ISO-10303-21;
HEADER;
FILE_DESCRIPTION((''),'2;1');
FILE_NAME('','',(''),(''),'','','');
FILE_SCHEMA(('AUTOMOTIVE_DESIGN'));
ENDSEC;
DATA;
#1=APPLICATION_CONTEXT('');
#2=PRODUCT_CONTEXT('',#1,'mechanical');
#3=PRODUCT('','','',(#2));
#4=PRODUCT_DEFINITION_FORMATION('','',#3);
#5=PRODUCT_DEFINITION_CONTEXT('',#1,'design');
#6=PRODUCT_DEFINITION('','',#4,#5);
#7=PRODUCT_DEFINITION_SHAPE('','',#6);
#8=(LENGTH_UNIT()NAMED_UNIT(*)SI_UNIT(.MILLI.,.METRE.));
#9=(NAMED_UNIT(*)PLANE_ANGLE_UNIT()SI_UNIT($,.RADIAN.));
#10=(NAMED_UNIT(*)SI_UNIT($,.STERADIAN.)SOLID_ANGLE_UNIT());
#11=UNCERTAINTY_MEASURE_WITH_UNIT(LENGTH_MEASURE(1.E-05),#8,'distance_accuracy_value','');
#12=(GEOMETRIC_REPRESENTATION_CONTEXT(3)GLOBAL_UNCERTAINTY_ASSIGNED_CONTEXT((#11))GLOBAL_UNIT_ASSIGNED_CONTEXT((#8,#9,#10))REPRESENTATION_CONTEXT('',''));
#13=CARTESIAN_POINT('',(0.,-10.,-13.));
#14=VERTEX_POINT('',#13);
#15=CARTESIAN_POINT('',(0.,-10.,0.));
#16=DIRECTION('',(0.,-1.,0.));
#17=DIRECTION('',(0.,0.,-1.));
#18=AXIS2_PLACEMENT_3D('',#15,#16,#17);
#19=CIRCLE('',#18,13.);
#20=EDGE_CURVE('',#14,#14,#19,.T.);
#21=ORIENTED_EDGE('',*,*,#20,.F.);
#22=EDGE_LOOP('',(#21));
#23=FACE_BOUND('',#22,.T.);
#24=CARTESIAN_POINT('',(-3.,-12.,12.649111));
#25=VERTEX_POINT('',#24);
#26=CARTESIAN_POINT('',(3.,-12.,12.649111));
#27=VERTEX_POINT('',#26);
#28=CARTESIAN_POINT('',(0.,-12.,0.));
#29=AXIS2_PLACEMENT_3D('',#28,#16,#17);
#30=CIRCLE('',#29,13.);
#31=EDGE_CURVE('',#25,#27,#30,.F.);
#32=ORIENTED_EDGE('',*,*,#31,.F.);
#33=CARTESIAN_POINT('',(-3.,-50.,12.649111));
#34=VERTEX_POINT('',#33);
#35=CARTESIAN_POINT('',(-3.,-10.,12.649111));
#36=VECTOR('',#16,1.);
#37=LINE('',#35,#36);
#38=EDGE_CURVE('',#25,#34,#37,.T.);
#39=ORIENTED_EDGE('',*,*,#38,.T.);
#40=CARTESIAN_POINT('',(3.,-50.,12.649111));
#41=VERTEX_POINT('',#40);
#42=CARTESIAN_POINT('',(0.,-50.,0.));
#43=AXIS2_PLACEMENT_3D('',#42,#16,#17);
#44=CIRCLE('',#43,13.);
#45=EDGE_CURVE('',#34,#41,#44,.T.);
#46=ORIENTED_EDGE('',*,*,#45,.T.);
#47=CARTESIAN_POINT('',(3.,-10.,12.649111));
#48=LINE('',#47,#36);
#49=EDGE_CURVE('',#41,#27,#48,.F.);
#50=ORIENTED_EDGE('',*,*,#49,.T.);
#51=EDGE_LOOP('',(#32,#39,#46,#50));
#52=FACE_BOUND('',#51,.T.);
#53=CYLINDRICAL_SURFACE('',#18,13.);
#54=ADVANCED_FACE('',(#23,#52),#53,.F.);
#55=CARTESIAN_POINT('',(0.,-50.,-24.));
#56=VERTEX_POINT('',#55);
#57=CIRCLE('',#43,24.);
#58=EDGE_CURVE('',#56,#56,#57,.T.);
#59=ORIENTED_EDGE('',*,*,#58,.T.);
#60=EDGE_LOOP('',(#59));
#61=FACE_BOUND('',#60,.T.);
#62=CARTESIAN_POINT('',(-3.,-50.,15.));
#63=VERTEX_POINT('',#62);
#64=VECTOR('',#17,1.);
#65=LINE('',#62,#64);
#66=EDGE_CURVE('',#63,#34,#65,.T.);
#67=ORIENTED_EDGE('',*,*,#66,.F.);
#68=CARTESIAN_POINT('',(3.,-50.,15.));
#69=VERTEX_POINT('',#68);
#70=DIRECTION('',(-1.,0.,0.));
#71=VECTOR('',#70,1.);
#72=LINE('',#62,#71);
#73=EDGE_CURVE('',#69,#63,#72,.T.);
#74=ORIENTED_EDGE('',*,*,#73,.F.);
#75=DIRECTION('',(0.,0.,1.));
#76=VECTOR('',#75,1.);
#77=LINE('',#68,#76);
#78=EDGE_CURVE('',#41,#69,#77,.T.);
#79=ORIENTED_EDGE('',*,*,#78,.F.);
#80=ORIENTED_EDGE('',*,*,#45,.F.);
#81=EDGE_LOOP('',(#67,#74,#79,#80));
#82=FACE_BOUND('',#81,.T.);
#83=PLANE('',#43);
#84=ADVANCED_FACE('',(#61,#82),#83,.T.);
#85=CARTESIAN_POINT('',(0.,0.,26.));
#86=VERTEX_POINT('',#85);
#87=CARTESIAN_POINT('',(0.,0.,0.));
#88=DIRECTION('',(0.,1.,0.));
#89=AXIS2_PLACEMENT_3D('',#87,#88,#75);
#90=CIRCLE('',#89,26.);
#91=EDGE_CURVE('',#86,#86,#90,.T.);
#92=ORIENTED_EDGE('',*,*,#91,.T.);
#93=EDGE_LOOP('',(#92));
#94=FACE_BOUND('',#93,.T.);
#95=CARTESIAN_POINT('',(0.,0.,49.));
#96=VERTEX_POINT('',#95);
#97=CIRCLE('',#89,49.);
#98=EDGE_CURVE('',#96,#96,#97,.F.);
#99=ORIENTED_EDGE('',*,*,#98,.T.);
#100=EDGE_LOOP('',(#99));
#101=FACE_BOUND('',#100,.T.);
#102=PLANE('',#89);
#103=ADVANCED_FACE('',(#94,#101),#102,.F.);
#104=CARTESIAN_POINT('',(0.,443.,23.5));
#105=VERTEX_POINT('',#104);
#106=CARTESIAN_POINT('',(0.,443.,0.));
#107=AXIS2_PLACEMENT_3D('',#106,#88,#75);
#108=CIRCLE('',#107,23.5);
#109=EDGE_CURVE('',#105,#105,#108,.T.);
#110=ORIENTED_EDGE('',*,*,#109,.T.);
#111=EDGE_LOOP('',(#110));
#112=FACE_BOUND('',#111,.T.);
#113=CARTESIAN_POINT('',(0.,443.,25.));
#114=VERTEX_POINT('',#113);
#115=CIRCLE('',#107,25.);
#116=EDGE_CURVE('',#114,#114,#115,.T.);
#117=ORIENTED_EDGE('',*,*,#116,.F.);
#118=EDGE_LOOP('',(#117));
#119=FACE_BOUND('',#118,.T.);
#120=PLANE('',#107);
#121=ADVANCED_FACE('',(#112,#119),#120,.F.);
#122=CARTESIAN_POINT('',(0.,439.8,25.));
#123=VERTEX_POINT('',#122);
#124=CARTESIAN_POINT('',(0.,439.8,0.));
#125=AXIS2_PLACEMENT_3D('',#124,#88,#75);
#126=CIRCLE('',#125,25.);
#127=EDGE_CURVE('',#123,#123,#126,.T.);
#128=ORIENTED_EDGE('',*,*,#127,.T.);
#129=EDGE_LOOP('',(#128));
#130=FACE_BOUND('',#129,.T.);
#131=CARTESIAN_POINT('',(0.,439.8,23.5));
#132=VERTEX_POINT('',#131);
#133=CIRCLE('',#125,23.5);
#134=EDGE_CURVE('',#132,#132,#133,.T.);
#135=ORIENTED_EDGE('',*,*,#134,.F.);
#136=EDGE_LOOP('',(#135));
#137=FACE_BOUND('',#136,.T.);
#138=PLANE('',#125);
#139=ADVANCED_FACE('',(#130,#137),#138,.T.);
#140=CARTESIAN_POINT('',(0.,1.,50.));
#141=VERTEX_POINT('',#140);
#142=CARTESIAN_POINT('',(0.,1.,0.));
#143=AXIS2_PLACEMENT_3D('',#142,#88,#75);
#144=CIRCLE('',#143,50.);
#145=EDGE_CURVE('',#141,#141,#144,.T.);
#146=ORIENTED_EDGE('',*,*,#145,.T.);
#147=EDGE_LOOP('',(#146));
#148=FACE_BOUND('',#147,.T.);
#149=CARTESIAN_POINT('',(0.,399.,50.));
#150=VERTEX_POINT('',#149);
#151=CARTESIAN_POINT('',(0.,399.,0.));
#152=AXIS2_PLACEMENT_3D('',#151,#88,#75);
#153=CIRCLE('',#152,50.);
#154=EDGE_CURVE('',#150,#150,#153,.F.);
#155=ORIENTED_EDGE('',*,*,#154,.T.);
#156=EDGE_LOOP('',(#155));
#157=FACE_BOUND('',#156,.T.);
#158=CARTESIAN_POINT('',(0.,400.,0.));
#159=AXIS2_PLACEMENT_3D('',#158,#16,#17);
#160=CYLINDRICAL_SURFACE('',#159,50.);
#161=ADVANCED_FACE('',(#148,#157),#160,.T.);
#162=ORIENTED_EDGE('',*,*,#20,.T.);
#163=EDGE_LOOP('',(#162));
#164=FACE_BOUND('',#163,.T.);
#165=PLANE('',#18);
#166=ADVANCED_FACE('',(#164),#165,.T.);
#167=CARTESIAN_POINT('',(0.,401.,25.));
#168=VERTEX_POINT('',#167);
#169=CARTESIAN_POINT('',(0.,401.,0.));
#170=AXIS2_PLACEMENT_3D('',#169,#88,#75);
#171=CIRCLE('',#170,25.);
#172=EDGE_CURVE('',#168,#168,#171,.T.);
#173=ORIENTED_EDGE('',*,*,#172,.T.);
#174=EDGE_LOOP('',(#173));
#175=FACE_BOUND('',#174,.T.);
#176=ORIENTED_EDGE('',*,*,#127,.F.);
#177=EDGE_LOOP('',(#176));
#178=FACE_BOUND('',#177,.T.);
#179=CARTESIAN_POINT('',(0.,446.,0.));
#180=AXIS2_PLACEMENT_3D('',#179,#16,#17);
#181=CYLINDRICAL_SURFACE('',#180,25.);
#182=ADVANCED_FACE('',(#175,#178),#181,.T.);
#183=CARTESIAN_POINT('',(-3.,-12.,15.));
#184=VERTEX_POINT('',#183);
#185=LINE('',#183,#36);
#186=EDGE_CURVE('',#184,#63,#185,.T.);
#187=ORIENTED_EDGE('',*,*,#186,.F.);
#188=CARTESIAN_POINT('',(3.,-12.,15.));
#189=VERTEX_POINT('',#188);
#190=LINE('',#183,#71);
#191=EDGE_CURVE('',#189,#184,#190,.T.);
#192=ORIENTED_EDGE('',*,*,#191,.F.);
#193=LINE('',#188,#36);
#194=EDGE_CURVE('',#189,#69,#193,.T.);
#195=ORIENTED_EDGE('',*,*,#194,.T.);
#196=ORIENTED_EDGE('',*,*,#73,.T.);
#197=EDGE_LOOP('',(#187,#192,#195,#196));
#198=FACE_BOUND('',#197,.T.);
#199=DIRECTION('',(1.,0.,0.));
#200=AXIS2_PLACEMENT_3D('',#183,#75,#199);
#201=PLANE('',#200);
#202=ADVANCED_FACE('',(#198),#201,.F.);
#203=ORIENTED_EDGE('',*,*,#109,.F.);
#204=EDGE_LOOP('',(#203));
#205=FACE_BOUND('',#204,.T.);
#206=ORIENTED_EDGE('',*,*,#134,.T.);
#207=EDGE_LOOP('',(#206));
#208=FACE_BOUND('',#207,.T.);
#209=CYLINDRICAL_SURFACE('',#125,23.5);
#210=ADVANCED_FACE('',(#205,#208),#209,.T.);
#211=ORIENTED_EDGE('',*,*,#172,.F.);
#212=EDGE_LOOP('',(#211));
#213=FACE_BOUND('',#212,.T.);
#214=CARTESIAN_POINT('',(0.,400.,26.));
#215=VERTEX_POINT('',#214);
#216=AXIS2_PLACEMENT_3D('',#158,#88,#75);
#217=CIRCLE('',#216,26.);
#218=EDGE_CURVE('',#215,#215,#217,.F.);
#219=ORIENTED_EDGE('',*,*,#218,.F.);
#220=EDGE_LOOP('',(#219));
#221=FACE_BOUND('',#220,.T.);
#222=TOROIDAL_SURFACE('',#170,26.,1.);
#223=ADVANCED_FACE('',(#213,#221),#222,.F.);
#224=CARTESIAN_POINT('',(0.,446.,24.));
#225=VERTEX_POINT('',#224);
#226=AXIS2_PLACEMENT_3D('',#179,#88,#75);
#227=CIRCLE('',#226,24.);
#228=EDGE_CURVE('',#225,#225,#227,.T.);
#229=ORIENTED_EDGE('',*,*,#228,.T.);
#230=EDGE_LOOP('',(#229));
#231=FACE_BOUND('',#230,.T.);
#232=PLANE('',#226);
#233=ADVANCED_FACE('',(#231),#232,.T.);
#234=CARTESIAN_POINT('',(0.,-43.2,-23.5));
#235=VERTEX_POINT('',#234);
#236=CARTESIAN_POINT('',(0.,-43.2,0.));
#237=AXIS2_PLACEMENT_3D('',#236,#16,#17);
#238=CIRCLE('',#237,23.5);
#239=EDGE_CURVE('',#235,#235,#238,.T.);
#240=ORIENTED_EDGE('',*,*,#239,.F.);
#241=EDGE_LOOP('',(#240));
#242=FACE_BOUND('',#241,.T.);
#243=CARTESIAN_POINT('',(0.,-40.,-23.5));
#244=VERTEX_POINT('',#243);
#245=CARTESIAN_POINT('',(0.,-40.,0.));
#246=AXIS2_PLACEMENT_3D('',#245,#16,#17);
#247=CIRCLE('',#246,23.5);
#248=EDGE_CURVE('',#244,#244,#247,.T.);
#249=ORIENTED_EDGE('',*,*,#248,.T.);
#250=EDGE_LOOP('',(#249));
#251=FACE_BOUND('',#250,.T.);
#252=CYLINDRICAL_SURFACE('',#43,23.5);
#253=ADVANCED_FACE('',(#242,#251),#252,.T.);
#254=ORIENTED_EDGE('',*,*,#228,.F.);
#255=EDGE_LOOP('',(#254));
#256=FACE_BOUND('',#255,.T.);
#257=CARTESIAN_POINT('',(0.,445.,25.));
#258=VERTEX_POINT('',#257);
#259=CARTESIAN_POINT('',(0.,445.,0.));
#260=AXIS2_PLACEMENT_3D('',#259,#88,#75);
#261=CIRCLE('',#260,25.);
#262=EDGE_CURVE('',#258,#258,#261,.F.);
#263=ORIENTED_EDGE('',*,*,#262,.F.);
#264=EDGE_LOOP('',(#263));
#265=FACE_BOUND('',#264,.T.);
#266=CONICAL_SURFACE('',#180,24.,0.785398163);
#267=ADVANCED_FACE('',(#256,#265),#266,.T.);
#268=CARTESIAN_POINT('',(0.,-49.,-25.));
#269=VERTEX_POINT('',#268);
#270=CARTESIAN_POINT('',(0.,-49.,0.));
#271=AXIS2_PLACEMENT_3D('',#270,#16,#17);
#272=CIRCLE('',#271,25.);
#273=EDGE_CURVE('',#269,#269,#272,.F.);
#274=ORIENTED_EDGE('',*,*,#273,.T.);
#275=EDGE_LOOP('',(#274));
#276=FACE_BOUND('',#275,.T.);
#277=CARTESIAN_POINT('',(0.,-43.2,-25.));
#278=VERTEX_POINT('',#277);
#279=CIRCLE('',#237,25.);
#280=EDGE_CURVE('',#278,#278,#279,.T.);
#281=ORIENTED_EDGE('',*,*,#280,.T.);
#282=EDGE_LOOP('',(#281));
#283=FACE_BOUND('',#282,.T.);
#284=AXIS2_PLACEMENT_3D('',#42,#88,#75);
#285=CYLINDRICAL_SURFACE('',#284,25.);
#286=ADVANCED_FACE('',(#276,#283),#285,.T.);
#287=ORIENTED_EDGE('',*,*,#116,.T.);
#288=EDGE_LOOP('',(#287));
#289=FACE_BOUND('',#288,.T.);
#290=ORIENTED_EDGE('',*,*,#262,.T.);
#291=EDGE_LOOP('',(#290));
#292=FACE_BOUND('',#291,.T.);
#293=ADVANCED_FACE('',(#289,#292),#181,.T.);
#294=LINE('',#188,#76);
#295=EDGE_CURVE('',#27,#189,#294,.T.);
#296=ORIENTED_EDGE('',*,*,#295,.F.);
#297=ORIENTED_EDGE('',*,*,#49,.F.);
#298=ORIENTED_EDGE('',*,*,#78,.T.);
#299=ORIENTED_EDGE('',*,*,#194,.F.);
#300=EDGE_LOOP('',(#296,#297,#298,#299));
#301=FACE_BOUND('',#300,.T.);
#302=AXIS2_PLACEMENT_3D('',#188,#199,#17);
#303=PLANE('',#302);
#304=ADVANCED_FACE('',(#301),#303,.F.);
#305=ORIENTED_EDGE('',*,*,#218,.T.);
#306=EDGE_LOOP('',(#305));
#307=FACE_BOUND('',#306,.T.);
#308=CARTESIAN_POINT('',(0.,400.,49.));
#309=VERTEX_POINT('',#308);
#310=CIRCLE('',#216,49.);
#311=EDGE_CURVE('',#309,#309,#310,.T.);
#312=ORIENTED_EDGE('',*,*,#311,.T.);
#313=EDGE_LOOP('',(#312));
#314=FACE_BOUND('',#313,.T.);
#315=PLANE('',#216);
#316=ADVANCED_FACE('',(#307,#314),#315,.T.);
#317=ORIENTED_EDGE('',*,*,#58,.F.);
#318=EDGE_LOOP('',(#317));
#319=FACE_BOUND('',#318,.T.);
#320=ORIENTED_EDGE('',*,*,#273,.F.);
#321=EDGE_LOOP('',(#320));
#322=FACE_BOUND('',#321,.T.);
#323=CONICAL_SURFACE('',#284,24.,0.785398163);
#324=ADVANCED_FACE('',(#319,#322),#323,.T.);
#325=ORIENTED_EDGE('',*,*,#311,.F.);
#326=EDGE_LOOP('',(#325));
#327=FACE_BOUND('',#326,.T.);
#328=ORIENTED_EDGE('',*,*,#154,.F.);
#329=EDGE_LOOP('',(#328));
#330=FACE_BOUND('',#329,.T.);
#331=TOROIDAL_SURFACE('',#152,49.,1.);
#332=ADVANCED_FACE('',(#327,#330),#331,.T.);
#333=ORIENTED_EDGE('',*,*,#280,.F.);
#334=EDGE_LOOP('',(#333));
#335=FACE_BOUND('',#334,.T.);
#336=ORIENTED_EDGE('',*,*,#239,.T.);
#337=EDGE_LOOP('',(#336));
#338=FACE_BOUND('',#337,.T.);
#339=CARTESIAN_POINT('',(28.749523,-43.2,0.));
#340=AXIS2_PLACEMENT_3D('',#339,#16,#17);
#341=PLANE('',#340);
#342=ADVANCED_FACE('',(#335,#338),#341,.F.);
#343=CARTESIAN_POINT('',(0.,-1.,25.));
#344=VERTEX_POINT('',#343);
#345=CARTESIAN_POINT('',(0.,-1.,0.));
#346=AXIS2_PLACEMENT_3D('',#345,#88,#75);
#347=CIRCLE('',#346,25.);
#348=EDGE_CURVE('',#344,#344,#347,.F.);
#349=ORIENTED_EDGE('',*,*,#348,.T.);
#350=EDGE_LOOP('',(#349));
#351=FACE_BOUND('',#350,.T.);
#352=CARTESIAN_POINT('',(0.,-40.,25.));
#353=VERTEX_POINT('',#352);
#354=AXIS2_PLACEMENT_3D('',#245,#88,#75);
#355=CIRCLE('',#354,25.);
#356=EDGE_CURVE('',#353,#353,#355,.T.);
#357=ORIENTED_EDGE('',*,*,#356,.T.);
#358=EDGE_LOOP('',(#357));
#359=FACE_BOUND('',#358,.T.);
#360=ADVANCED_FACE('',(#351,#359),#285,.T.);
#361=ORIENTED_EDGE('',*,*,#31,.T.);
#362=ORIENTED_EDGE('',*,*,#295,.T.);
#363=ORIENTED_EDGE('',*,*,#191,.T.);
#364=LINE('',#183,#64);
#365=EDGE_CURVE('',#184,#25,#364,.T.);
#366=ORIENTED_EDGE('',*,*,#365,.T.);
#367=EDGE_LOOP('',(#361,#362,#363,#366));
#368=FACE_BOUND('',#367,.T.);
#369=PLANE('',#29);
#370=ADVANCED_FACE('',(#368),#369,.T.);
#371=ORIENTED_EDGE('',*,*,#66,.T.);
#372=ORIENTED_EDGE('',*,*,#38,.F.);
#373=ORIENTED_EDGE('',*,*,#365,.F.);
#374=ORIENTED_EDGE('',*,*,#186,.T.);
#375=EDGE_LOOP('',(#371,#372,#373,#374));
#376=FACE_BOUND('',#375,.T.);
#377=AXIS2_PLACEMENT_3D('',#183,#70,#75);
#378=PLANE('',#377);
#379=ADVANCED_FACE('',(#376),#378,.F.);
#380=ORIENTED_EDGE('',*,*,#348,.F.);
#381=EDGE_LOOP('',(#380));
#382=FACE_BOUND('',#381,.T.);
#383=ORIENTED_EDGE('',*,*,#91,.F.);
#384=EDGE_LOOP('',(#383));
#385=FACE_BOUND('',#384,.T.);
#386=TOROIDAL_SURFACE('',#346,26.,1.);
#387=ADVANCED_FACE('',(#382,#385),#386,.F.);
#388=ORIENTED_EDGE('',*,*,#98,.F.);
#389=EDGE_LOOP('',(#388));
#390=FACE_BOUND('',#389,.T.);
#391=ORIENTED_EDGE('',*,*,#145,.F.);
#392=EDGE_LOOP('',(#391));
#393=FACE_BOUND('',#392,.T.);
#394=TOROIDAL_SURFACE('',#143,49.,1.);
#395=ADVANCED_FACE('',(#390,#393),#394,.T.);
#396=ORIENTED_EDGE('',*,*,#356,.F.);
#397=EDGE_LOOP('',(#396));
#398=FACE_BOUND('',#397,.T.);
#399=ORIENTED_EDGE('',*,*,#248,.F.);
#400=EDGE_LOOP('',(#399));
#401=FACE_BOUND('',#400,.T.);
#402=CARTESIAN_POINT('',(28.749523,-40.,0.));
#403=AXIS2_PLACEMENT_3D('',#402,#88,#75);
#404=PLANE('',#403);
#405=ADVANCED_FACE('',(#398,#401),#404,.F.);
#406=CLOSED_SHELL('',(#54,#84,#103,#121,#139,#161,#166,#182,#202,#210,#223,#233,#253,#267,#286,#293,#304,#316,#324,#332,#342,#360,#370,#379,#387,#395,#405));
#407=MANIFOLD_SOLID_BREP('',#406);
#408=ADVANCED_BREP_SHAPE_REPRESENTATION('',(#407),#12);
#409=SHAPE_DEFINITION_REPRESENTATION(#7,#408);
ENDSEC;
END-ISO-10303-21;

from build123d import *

# Parameters (mm, degrees)
ESQUISSE1_R             = 50
BOSS_EXTRU_1_DEPTH      = 400
ESQUISSE2_R             = 25
BOSS_EXTRU_2_DEPTH      = 46
BOSS_EXTRU_3_START      = 50
ESQUISSE3_R             = 25
BOSS_EXTRU_3_DEPTH      = 50
CONG_1_R                = 1
ENL_V_START             = -6.2
ESQUISSE4_R             = 25
ESQUISSE4_R_2           = 23.5
ENL_V_MAT_EXTRU_1_DEPTH = 3.2
ESQUISSE6_W             = 5.249523393
ESQUISSE6_H             = 3.2
CHANFREIN1_SIZE         = 1
ESQUISSE7_R             = 13
ENL_V_MAT_EXTRU_2_DEPTH = 40
ESQUISSE8_W             = 6
ESQUISSE8_H             = 5
ENL_V_MAT_EXTRU_3_DEPTH = 38


with BuildPart() as part:
    # Esquisse1 → Boss.-Extru.1 (new body)
    with BuildSketch(Plane(origin=(0, 0, 0), x_dir=(1, 0, 0), z_dir=(0, 1, 0))):
        with Locations(Location((0, 0, 0), (0, 0, 270))):
            Circle(ESQUISSE1_R)
    extrude(amount=BOSS_EXTRU_1_DEPTH)

    # Esquisse2 → Boss.-Extru.2 (add)
    with BuildSketch(Plane(origin=(0, 400, 0), x_dir=(1, 0, 0), z_dir=(0, 1, 0))):
        with Locations(Location((0, 0, 0), (0, 0, 270))):
            Circle(ESQUISSE2_R)
    extrude(amount=BOSS_EXTRU_2_DEPTH)

    # Esquisse3 → Boss.-Extru.3 (add)
    with BuildSketch(Plane.XZ.offset(BOSS_EXTRU_3_START)):
        with Locations(Location((0, 0, 0), (0, 0, 90))):
            Circle(ESQUISSE3_R)
    extrude(amount=-BOSS_EXTRU_3_DEPTH)

    # Congé1
    cong_1_edges = [part.edges().sort_by_distance(p)[0] for p in [
        (0, 0, -50),
        (0, 400, -50),
        (0, 400, -25),
        (0, 0, -25),
    ]]
    fillet(cong_1_edges, radius=CONG_1_R)

    # Esquisse4 → Enlèv. mat.-Extru.1 (cut)
    with BuildSketch(Plane(origin=(0, 446, 0), x_dir=(1, 0, 0), z_dir=(0, 1, 0)).offset(ENL_V_START)):
        with Locations(Location((0, 0, 0), (0, 0, 270))):
            Circle(ESQUISSE4_R)
        with Locations(Location((0, 0, 0), (0, 0, 270))):
            Circle(ESQUISSE4_R_2, mode=Mode.SUBTRACT)
    extrude(amount=ENL_V_MAT_EXTRU_1_DEPTH, mode=Mode.SUBTRACT)

    # Esquisse6 → Enlèvement de matière-Révolution1 (revolve, cut)
    with BuildSketch(Plane.XY, mode=Mode.PRIVATE) as enl_vement_de_mati_re_r_volution1_sk:
        with Locations((26.124761697, -41.6)):
            Rectangle(ESQUISSE6_W, ESQUISSE6_H)
    revolve(enl_vement_de_mati_re_r_volution1_sk.sketch.rotate(Axis((0, -50, 0), (0, 1, 0)), 90), axis=Axis((0, -50, 0), (0, 1, 0)), mode=Mode.SUBTRACT)

    # Chanfrein1
    chanfrein1_edges = [part.edges().sort_by_distance(p)[0] for p in [
        (0, -50, -25),
        (0, 446, -25),
    ]]
    chamfer(chanfrein1_edges, length=CHANFREIN1_SIZE)

    # Esquisse7 → Enlèv. mat.-Extru.2 (cut)
    with BuildSketch(Plane.XZ.offset(50)):
        with Locations(Location((0, 0, 0), (0, 0, 270))):
            Circle(ESQUISSE7_R)
    extrude(amount=-ENL_V_MAT_EXTRU_2_DEPTH, mode=Mode.SUBTRACT)

    # Esquisse8 → Enlèv. mat.-Extru.3 (cut)
    with BuildSketch(Plane.XZ.offset(50)):
        with Locations((0, 12.5)):
            Rectangle(ESQUISSE8_W, ESQUISSE8_H)
    extrude(amount=-ENL_V_MAT_EXTRU_3_DEPTH, mode=Mode.SUBTRACT)


solid = part.part
